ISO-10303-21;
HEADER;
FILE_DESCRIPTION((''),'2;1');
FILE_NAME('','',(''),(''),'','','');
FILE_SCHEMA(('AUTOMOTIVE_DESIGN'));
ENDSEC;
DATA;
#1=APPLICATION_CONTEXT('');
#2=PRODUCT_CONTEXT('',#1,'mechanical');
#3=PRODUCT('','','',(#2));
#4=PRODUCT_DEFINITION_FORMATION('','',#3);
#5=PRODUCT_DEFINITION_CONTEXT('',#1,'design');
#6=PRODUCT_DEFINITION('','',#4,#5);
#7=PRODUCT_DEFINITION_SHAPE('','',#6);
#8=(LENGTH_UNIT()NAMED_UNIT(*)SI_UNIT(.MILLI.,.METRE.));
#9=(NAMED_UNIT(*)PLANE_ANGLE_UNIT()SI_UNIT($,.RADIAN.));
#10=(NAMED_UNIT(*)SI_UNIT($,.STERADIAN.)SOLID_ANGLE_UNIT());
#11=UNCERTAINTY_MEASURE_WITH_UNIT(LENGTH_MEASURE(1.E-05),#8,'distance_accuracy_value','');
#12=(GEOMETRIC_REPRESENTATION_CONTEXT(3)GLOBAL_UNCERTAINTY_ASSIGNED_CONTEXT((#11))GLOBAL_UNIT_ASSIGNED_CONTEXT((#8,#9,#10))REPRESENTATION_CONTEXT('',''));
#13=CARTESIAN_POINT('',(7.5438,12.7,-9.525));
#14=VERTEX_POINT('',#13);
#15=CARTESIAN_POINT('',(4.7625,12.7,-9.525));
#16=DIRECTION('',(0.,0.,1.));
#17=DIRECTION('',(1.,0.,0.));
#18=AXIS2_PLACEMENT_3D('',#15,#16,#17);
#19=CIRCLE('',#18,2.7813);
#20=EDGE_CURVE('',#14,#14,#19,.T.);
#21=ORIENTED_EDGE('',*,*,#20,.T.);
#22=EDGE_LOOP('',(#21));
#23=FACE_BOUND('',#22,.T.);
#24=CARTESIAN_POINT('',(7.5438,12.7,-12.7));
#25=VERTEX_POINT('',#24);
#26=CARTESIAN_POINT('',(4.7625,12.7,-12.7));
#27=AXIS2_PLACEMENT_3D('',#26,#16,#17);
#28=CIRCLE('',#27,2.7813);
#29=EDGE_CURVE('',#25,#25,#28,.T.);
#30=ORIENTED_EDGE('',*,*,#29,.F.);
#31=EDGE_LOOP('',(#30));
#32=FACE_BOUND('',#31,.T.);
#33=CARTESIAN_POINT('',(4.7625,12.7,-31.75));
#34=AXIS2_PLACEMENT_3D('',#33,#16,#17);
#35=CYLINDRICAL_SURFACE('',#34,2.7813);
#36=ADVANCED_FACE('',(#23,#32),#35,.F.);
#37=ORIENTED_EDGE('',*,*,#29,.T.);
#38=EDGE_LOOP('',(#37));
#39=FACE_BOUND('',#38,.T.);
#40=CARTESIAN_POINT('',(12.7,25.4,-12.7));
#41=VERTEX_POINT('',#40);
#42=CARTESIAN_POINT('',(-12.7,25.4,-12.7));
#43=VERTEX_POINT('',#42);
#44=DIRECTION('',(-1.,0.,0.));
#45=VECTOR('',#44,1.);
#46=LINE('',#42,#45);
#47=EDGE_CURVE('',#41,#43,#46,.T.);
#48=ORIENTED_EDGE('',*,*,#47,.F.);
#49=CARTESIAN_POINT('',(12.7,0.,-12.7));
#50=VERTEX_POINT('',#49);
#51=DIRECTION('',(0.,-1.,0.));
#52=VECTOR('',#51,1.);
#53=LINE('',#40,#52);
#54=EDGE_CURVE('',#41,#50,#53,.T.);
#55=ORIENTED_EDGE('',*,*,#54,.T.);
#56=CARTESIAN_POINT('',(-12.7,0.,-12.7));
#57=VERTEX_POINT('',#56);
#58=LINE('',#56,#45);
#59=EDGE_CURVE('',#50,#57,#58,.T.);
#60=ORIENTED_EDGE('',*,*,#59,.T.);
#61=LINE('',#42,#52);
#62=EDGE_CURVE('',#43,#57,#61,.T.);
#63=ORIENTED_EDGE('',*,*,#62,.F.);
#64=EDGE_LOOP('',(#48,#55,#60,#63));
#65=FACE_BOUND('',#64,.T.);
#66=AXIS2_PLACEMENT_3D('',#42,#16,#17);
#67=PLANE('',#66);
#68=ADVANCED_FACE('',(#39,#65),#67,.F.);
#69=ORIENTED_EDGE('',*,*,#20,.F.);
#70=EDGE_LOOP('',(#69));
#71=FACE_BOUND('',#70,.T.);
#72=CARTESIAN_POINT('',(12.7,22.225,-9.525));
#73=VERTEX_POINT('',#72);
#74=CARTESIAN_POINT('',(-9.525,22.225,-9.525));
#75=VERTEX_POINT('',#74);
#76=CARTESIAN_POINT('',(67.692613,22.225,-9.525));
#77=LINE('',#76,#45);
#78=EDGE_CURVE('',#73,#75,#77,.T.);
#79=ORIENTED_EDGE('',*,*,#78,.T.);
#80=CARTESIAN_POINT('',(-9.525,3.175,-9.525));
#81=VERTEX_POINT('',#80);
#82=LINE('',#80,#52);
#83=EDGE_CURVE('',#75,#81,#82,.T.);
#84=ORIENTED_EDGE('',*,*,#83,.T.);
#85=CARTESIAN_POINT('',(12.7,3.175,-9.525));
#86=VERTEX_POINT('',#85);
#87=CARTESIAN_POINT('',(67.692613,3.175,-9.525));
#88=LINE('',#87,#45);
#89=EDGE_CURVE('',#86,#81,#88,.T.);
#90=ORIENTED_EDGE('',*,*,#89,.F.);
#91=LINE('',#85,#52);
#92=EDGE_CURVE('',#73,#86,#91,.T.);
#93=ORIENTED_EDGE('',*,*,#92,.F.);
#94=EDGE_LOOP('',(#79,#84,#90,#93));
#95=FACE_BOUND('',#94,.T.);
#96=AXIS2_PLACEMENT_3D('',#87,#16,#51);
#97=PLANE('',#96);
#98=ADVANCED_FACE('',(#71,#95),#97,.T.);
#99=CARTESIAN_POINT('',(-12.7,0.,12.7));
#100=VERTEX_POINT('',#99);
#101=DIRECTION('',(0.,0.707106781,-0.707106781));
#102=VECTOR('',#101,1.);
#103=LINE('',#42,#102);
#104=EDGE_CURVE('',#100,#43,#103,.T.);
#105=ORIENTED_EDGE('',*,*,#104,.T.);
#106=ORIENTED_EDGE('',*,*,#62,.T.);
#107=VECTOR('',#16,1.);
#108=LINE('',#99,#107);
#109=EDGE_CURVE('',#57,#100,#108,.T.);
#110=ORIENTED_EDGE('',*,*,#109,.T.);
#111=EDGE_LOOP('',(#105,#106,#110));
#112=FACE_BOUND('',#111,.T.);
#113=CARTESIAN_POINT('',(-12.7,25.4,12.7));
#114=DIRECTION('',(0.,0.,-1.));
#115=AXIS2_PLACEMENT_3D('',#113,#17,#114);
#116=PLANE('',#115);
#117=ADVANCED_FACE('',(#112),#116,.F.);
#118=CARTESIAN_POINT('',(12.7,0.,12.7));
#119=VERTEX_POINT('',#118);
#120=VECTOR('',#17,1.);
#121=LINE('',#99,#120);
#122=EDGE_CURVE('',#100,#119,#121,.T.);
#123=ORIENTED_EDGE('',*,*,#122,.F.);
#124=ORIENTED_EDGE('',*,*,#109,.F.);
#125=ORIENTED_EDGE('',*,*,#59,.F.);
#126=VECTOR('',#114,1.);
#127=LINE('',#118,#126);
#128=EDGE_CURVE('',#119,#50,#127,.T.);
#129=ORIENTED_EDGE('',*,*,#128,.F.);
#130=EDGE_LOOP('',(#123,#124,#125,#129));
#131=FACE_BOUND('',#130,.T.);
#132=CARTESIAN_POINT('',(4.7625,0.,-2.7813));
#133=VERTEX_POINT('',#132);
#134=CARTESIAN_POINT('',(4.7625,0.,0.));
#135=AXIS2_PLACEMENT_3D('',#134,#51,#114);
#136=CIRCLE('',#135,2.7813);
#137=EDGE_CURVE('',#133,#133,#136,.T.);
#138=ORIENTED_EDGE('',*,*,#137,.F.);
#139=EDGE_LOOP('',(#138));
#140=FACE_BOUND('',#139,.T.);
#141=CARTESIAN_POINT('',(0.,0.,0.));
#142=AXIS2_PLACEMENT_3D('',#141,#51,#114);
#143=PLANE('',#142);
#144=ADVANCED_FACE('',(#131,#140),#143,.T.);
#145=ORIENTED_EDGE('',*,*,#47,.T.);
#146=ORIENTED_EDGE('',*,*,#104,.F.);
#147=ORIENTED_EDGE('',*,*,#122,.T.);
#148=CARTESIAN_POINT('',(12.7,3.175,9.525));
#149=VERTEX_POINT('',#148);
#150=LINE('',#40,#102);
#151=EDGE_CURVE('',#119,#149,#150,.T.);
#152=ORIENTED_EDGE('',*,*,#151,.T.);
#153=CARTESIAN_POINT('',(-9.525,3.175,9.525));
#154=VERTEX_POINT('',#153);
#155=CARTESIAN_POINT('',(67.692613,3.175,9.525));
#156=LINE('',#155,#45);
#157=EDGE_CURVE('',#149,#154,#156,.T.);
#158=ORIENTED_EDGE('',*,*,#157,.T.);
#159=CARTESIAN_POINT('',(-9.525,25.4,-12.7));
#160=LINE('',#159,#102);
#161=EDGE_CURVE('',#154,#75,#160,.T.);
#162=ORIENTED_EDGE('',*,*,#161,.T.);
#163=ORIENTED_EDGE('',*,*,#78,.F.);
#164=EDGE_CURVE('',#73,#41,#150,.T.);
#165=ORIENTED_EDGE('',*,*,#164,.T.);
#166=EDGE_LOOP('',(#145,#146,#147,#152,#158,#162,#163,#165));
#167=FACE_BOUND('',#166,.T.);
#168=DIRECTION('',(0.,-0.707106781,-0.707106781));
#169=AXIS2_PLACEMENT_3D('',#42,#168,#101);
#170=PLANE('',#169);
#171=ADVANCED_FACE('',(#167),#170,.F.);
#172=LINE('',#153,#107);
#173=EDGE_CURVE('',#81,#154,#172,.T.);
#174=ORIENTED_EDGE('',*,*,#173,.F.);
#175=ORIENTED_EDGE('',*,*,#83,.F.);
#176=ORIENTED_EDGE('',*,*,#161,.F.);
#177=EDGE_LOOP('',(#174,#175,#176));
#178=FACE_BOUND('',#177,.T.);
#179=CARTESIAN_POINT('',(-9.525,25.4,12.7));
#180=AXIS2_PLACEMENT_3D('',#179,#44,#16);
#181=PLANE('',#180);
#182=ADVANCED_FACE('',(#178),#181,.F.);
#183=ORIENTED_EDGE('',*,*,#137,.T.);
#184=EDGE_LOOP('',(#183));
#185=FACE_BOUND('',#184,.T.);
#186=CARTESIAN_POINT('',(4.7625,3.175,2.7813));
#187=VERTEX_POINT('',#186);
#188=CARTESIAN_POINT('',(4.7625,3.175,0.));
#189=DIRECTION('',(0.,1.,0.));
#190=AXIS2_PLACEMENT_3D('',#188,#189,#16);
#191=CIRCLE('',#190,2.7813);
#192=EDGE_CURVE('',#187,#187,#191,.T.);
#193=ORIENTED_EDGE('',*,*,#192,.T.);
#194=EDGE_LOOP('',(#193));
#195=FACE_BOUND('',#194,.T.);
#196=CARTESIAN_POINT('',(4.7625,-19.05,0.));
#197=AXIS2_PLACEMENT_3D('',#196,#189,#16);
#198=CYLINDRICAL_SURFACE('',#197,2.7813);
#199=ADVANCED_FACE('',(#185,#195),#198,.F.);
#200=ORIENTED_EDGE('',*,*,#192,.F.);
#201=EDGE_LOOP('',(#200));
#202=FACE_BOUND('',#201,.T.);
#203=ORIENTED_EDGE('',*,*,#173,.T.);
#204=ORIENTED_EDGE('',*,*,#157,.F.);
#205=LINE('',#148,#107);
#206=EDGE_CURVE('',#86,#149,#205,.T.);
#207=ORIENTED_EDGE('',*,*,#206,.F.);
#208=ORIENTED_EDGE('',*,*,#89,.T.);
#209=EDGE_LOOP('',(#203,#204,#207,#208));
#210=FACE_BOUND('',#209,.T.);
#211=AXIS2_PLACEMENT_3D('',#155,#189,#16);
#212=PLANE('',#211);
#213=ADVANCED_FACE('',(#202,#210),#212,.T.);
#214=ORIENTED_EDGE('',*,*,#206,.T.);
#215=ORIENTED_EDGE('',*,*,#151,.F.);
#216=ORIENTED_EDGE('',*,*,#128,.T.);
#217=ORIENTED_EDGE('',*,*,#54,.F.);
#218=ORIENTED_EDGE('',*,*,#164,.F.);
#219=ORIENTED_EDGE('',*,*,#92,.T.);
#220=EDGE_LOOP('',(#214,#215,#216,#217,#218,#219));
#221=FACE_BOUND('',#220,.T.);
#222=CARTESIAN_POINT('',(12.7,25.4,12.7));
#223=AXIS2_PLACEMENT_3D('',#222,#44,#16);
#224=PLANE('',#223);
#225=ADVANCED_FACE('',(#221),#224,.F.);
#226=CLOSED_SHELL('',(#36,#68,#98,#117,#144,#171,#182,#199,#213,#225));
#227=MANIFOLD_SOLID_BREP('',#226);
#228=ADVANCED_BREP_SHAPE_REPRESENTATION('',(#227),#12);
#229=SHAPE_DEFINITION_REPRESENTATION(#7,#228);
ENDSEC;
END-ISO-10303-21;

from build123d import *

# Parameters (mm, degrees)
SKETCH1_W               = 25.4
SKETCH1_H               = 25.4
BOSS_EXTRUDE1_DEPTH     = 25.4
CUT_EXTRUDE1_DEPTH      = 25.4
CUT_EXTRUDE2_DEPTH      = 39.1
CUT_EXTRUDE2_DEPTH_BACK = 22.225
SKETCH4_R               = 2.7813
CUT_EXTRUDE3_DEPTH      = 22.225
SKETCH5_R               = 2.7813
CUT_EXTRUDE4_DEPTH      = 22.225


with BuildPart() as part:
    # Sketch1 → Boss-Extrude1 (new body)
    with BuildSketch(Plane(origin=(0, 0, 0), x_dir=(1, 0, 0), z_dir=(0, 1, 0))):
        Rectangle(SKETCH1_W, SKETCH1_H)
    extrude(amount=BOSS_EXTRUDE1_DEPTH)

    # Sketch2 → Cut-Extrude1 (cut)
    with BuildSketch(Plane(origin=(12.7, 0, 0), x_dir=(0, 0, -1), z_dir=(1, 0, 0))):
        Polygon((-12.7, 25.4), (12.7, 25.4), (-12.7, 0), align=None)
    extrude(amount=-CUT_EXTRUDE1_DEPTH, mode=Mode.SUBTRACT)

    # Sketch3 → Cut-Extrude2 (cut, two sides: drawn at the far end of the back side and taken through both)
    with BuildSketch(Plane(origin=(12.7, 0, 0), x_dir=(0, 0, -1), z_dir=(1, 0, 0)).offset(-CUT_EXTRUDE2_DEPTH_BACK)):
        Polygon((-82.386792847, 3.175), (-9.525, 3.175), (9.525, 3.175), (9.525, 22.225), (9.525, 95.086792847), (-93.517135624, 198.128928471), (-185.428928471, 106.217135624), align=None)
    extrude(amount=CUT_EXTRUDE2_DEPTH + CUT_EXTRUDE2_DEPTH_BACK, mode=Mode.SUBTRACT)

    # Sketch4 → Cut-Extrude3 (cut)
    with BuildSketch(Plane.XY.offset(-9.525)):
        with Locations((4.7625, 12.7)):
            Circle(SKETCH4_R)
    extrude(amount=-CUT_EXTRUDE3_DEPTH, mode=Mode.SUBTRACT)

    # Sketch5 → Cut-Extrude4 (cut)
    with BuildSketch(Plane(origin=(0, 3.175, 0), x_dir=(1, 0, 0), z_dir=(0, 1, 0))):
        with Locations(Location((4.7625, 0, 0), (0, 0, 270))):
            Circle(SKETCH5_R)
    extrude(amount=-CUT_EXTRUDE4_DEPTH, mode=Mode.SUBTRACT)


solid = part.part
